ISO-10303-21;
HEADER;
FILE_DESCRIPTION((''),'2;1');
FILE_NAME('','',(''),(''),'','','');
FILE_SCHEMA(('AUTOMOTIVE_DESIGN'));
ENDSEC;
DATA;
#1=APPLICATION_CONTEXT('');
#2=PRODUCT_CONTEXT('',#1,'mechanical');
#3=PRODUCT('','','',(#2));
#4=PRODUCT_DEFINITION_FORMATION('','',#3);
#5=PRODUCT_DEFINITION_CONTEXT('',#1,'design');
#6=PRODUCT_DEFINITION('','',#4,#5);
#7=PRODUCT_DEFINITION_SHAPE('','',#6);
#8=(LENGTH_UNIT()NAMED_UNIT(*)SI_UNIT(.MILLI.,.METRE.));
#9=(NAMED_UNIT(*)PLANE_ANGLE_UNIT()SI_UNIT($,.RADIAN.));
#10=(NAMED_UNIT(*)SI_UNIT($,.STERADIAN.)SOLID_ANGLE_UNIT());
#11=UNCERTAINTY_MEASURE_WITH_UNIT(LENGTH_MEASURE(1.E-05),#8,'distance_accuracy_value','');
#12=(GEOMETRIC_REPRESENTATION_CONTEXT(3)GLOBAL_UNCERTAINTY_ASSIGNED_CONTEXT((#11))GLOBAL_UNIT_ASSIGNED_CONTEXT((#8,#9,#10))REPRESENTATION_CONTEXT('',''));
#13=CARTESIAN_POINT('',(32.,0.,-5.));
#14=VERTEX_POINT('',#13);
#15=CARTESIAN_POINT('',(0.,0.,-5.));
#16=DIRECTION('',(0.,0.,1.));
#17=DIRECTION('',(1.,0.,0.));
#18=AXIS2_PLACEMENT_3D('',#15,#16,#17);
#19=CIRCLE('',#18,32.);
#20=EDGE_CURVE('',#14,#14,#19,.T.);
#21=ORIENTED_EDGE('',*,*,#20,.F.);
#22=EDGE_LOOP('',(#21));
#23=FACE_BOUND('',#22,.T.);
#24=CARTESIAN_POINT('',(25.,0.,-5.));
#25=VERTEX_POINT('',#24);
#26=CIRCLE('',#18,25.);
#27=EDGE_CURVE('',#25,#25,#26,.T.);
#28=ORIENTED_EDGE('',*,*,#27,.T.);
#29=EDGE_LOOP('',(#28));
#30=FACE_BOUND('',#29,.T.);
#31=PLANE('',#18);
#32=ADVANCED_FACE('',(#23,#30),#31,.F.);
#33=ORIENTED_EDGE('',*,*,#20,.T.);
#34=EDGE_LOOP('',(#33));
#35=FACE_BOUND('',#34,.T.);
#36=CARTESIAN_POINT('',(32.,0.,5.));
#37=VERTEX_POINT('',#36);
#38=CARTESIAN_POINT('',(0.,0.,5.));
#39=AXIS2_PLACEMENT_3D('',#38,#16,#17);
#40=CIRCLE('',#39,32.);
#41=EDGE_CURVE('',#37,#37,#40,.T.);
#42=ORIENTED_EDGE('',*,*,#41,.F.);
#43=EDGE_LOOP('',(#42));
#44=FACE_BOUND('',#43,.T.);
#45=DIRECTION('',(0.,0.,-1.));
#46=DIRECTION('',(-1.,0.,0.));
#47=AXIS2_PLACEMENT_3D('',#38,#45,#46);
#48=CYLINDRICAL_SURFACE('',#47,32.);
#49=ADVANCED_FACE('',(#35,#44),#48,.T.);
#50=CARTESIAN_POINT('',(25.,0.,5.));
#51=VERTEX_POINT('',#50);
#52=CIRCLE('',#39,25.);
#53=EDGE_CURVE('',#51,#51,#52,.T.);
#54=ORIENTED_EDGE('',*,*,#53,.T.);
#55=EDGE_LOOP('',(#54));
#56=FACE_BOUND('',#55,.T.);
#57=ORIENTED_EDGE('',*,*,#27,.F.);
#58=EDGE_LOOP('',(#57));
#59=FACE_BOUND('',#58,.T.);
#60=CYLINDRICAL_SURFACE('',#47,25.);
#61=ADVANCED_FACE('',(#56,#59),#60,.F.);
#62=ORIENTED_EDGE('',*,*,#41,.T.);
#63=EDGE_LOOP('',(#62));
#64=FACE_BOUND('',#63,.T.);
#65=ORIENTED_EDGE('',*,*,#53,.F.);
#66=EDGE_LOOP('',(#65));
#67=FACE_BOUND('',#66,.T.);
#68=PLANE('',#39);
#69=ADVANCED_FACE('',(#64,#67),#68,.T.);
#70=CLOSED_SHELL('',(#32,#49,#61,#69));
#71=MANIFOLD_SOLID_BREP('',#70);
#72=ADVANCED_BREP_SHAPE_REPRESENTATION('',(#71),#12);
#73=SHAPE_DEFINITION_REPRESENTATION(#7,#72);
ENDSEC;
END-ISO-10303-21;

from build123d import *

# Parameters (mm, degrees)
SKETCH1_R           = 32
SKETCH1_R_2         = 25
BOSS_EXTRUDE1_DEPTH = 5


with BuildPart() as part:
    # Sketch1 → Boss-Extrude1 (new body, symmetric)
    with BuildSketch(Plane.XY):
        Circle(SKETCH1_R)
        Circle(SKETCH1_R_2, mode=Mode.SUBTRACT)
    extrude(amount=BOSS_EXTRUDE1_DEPTH, both=True)


solid = part.part
